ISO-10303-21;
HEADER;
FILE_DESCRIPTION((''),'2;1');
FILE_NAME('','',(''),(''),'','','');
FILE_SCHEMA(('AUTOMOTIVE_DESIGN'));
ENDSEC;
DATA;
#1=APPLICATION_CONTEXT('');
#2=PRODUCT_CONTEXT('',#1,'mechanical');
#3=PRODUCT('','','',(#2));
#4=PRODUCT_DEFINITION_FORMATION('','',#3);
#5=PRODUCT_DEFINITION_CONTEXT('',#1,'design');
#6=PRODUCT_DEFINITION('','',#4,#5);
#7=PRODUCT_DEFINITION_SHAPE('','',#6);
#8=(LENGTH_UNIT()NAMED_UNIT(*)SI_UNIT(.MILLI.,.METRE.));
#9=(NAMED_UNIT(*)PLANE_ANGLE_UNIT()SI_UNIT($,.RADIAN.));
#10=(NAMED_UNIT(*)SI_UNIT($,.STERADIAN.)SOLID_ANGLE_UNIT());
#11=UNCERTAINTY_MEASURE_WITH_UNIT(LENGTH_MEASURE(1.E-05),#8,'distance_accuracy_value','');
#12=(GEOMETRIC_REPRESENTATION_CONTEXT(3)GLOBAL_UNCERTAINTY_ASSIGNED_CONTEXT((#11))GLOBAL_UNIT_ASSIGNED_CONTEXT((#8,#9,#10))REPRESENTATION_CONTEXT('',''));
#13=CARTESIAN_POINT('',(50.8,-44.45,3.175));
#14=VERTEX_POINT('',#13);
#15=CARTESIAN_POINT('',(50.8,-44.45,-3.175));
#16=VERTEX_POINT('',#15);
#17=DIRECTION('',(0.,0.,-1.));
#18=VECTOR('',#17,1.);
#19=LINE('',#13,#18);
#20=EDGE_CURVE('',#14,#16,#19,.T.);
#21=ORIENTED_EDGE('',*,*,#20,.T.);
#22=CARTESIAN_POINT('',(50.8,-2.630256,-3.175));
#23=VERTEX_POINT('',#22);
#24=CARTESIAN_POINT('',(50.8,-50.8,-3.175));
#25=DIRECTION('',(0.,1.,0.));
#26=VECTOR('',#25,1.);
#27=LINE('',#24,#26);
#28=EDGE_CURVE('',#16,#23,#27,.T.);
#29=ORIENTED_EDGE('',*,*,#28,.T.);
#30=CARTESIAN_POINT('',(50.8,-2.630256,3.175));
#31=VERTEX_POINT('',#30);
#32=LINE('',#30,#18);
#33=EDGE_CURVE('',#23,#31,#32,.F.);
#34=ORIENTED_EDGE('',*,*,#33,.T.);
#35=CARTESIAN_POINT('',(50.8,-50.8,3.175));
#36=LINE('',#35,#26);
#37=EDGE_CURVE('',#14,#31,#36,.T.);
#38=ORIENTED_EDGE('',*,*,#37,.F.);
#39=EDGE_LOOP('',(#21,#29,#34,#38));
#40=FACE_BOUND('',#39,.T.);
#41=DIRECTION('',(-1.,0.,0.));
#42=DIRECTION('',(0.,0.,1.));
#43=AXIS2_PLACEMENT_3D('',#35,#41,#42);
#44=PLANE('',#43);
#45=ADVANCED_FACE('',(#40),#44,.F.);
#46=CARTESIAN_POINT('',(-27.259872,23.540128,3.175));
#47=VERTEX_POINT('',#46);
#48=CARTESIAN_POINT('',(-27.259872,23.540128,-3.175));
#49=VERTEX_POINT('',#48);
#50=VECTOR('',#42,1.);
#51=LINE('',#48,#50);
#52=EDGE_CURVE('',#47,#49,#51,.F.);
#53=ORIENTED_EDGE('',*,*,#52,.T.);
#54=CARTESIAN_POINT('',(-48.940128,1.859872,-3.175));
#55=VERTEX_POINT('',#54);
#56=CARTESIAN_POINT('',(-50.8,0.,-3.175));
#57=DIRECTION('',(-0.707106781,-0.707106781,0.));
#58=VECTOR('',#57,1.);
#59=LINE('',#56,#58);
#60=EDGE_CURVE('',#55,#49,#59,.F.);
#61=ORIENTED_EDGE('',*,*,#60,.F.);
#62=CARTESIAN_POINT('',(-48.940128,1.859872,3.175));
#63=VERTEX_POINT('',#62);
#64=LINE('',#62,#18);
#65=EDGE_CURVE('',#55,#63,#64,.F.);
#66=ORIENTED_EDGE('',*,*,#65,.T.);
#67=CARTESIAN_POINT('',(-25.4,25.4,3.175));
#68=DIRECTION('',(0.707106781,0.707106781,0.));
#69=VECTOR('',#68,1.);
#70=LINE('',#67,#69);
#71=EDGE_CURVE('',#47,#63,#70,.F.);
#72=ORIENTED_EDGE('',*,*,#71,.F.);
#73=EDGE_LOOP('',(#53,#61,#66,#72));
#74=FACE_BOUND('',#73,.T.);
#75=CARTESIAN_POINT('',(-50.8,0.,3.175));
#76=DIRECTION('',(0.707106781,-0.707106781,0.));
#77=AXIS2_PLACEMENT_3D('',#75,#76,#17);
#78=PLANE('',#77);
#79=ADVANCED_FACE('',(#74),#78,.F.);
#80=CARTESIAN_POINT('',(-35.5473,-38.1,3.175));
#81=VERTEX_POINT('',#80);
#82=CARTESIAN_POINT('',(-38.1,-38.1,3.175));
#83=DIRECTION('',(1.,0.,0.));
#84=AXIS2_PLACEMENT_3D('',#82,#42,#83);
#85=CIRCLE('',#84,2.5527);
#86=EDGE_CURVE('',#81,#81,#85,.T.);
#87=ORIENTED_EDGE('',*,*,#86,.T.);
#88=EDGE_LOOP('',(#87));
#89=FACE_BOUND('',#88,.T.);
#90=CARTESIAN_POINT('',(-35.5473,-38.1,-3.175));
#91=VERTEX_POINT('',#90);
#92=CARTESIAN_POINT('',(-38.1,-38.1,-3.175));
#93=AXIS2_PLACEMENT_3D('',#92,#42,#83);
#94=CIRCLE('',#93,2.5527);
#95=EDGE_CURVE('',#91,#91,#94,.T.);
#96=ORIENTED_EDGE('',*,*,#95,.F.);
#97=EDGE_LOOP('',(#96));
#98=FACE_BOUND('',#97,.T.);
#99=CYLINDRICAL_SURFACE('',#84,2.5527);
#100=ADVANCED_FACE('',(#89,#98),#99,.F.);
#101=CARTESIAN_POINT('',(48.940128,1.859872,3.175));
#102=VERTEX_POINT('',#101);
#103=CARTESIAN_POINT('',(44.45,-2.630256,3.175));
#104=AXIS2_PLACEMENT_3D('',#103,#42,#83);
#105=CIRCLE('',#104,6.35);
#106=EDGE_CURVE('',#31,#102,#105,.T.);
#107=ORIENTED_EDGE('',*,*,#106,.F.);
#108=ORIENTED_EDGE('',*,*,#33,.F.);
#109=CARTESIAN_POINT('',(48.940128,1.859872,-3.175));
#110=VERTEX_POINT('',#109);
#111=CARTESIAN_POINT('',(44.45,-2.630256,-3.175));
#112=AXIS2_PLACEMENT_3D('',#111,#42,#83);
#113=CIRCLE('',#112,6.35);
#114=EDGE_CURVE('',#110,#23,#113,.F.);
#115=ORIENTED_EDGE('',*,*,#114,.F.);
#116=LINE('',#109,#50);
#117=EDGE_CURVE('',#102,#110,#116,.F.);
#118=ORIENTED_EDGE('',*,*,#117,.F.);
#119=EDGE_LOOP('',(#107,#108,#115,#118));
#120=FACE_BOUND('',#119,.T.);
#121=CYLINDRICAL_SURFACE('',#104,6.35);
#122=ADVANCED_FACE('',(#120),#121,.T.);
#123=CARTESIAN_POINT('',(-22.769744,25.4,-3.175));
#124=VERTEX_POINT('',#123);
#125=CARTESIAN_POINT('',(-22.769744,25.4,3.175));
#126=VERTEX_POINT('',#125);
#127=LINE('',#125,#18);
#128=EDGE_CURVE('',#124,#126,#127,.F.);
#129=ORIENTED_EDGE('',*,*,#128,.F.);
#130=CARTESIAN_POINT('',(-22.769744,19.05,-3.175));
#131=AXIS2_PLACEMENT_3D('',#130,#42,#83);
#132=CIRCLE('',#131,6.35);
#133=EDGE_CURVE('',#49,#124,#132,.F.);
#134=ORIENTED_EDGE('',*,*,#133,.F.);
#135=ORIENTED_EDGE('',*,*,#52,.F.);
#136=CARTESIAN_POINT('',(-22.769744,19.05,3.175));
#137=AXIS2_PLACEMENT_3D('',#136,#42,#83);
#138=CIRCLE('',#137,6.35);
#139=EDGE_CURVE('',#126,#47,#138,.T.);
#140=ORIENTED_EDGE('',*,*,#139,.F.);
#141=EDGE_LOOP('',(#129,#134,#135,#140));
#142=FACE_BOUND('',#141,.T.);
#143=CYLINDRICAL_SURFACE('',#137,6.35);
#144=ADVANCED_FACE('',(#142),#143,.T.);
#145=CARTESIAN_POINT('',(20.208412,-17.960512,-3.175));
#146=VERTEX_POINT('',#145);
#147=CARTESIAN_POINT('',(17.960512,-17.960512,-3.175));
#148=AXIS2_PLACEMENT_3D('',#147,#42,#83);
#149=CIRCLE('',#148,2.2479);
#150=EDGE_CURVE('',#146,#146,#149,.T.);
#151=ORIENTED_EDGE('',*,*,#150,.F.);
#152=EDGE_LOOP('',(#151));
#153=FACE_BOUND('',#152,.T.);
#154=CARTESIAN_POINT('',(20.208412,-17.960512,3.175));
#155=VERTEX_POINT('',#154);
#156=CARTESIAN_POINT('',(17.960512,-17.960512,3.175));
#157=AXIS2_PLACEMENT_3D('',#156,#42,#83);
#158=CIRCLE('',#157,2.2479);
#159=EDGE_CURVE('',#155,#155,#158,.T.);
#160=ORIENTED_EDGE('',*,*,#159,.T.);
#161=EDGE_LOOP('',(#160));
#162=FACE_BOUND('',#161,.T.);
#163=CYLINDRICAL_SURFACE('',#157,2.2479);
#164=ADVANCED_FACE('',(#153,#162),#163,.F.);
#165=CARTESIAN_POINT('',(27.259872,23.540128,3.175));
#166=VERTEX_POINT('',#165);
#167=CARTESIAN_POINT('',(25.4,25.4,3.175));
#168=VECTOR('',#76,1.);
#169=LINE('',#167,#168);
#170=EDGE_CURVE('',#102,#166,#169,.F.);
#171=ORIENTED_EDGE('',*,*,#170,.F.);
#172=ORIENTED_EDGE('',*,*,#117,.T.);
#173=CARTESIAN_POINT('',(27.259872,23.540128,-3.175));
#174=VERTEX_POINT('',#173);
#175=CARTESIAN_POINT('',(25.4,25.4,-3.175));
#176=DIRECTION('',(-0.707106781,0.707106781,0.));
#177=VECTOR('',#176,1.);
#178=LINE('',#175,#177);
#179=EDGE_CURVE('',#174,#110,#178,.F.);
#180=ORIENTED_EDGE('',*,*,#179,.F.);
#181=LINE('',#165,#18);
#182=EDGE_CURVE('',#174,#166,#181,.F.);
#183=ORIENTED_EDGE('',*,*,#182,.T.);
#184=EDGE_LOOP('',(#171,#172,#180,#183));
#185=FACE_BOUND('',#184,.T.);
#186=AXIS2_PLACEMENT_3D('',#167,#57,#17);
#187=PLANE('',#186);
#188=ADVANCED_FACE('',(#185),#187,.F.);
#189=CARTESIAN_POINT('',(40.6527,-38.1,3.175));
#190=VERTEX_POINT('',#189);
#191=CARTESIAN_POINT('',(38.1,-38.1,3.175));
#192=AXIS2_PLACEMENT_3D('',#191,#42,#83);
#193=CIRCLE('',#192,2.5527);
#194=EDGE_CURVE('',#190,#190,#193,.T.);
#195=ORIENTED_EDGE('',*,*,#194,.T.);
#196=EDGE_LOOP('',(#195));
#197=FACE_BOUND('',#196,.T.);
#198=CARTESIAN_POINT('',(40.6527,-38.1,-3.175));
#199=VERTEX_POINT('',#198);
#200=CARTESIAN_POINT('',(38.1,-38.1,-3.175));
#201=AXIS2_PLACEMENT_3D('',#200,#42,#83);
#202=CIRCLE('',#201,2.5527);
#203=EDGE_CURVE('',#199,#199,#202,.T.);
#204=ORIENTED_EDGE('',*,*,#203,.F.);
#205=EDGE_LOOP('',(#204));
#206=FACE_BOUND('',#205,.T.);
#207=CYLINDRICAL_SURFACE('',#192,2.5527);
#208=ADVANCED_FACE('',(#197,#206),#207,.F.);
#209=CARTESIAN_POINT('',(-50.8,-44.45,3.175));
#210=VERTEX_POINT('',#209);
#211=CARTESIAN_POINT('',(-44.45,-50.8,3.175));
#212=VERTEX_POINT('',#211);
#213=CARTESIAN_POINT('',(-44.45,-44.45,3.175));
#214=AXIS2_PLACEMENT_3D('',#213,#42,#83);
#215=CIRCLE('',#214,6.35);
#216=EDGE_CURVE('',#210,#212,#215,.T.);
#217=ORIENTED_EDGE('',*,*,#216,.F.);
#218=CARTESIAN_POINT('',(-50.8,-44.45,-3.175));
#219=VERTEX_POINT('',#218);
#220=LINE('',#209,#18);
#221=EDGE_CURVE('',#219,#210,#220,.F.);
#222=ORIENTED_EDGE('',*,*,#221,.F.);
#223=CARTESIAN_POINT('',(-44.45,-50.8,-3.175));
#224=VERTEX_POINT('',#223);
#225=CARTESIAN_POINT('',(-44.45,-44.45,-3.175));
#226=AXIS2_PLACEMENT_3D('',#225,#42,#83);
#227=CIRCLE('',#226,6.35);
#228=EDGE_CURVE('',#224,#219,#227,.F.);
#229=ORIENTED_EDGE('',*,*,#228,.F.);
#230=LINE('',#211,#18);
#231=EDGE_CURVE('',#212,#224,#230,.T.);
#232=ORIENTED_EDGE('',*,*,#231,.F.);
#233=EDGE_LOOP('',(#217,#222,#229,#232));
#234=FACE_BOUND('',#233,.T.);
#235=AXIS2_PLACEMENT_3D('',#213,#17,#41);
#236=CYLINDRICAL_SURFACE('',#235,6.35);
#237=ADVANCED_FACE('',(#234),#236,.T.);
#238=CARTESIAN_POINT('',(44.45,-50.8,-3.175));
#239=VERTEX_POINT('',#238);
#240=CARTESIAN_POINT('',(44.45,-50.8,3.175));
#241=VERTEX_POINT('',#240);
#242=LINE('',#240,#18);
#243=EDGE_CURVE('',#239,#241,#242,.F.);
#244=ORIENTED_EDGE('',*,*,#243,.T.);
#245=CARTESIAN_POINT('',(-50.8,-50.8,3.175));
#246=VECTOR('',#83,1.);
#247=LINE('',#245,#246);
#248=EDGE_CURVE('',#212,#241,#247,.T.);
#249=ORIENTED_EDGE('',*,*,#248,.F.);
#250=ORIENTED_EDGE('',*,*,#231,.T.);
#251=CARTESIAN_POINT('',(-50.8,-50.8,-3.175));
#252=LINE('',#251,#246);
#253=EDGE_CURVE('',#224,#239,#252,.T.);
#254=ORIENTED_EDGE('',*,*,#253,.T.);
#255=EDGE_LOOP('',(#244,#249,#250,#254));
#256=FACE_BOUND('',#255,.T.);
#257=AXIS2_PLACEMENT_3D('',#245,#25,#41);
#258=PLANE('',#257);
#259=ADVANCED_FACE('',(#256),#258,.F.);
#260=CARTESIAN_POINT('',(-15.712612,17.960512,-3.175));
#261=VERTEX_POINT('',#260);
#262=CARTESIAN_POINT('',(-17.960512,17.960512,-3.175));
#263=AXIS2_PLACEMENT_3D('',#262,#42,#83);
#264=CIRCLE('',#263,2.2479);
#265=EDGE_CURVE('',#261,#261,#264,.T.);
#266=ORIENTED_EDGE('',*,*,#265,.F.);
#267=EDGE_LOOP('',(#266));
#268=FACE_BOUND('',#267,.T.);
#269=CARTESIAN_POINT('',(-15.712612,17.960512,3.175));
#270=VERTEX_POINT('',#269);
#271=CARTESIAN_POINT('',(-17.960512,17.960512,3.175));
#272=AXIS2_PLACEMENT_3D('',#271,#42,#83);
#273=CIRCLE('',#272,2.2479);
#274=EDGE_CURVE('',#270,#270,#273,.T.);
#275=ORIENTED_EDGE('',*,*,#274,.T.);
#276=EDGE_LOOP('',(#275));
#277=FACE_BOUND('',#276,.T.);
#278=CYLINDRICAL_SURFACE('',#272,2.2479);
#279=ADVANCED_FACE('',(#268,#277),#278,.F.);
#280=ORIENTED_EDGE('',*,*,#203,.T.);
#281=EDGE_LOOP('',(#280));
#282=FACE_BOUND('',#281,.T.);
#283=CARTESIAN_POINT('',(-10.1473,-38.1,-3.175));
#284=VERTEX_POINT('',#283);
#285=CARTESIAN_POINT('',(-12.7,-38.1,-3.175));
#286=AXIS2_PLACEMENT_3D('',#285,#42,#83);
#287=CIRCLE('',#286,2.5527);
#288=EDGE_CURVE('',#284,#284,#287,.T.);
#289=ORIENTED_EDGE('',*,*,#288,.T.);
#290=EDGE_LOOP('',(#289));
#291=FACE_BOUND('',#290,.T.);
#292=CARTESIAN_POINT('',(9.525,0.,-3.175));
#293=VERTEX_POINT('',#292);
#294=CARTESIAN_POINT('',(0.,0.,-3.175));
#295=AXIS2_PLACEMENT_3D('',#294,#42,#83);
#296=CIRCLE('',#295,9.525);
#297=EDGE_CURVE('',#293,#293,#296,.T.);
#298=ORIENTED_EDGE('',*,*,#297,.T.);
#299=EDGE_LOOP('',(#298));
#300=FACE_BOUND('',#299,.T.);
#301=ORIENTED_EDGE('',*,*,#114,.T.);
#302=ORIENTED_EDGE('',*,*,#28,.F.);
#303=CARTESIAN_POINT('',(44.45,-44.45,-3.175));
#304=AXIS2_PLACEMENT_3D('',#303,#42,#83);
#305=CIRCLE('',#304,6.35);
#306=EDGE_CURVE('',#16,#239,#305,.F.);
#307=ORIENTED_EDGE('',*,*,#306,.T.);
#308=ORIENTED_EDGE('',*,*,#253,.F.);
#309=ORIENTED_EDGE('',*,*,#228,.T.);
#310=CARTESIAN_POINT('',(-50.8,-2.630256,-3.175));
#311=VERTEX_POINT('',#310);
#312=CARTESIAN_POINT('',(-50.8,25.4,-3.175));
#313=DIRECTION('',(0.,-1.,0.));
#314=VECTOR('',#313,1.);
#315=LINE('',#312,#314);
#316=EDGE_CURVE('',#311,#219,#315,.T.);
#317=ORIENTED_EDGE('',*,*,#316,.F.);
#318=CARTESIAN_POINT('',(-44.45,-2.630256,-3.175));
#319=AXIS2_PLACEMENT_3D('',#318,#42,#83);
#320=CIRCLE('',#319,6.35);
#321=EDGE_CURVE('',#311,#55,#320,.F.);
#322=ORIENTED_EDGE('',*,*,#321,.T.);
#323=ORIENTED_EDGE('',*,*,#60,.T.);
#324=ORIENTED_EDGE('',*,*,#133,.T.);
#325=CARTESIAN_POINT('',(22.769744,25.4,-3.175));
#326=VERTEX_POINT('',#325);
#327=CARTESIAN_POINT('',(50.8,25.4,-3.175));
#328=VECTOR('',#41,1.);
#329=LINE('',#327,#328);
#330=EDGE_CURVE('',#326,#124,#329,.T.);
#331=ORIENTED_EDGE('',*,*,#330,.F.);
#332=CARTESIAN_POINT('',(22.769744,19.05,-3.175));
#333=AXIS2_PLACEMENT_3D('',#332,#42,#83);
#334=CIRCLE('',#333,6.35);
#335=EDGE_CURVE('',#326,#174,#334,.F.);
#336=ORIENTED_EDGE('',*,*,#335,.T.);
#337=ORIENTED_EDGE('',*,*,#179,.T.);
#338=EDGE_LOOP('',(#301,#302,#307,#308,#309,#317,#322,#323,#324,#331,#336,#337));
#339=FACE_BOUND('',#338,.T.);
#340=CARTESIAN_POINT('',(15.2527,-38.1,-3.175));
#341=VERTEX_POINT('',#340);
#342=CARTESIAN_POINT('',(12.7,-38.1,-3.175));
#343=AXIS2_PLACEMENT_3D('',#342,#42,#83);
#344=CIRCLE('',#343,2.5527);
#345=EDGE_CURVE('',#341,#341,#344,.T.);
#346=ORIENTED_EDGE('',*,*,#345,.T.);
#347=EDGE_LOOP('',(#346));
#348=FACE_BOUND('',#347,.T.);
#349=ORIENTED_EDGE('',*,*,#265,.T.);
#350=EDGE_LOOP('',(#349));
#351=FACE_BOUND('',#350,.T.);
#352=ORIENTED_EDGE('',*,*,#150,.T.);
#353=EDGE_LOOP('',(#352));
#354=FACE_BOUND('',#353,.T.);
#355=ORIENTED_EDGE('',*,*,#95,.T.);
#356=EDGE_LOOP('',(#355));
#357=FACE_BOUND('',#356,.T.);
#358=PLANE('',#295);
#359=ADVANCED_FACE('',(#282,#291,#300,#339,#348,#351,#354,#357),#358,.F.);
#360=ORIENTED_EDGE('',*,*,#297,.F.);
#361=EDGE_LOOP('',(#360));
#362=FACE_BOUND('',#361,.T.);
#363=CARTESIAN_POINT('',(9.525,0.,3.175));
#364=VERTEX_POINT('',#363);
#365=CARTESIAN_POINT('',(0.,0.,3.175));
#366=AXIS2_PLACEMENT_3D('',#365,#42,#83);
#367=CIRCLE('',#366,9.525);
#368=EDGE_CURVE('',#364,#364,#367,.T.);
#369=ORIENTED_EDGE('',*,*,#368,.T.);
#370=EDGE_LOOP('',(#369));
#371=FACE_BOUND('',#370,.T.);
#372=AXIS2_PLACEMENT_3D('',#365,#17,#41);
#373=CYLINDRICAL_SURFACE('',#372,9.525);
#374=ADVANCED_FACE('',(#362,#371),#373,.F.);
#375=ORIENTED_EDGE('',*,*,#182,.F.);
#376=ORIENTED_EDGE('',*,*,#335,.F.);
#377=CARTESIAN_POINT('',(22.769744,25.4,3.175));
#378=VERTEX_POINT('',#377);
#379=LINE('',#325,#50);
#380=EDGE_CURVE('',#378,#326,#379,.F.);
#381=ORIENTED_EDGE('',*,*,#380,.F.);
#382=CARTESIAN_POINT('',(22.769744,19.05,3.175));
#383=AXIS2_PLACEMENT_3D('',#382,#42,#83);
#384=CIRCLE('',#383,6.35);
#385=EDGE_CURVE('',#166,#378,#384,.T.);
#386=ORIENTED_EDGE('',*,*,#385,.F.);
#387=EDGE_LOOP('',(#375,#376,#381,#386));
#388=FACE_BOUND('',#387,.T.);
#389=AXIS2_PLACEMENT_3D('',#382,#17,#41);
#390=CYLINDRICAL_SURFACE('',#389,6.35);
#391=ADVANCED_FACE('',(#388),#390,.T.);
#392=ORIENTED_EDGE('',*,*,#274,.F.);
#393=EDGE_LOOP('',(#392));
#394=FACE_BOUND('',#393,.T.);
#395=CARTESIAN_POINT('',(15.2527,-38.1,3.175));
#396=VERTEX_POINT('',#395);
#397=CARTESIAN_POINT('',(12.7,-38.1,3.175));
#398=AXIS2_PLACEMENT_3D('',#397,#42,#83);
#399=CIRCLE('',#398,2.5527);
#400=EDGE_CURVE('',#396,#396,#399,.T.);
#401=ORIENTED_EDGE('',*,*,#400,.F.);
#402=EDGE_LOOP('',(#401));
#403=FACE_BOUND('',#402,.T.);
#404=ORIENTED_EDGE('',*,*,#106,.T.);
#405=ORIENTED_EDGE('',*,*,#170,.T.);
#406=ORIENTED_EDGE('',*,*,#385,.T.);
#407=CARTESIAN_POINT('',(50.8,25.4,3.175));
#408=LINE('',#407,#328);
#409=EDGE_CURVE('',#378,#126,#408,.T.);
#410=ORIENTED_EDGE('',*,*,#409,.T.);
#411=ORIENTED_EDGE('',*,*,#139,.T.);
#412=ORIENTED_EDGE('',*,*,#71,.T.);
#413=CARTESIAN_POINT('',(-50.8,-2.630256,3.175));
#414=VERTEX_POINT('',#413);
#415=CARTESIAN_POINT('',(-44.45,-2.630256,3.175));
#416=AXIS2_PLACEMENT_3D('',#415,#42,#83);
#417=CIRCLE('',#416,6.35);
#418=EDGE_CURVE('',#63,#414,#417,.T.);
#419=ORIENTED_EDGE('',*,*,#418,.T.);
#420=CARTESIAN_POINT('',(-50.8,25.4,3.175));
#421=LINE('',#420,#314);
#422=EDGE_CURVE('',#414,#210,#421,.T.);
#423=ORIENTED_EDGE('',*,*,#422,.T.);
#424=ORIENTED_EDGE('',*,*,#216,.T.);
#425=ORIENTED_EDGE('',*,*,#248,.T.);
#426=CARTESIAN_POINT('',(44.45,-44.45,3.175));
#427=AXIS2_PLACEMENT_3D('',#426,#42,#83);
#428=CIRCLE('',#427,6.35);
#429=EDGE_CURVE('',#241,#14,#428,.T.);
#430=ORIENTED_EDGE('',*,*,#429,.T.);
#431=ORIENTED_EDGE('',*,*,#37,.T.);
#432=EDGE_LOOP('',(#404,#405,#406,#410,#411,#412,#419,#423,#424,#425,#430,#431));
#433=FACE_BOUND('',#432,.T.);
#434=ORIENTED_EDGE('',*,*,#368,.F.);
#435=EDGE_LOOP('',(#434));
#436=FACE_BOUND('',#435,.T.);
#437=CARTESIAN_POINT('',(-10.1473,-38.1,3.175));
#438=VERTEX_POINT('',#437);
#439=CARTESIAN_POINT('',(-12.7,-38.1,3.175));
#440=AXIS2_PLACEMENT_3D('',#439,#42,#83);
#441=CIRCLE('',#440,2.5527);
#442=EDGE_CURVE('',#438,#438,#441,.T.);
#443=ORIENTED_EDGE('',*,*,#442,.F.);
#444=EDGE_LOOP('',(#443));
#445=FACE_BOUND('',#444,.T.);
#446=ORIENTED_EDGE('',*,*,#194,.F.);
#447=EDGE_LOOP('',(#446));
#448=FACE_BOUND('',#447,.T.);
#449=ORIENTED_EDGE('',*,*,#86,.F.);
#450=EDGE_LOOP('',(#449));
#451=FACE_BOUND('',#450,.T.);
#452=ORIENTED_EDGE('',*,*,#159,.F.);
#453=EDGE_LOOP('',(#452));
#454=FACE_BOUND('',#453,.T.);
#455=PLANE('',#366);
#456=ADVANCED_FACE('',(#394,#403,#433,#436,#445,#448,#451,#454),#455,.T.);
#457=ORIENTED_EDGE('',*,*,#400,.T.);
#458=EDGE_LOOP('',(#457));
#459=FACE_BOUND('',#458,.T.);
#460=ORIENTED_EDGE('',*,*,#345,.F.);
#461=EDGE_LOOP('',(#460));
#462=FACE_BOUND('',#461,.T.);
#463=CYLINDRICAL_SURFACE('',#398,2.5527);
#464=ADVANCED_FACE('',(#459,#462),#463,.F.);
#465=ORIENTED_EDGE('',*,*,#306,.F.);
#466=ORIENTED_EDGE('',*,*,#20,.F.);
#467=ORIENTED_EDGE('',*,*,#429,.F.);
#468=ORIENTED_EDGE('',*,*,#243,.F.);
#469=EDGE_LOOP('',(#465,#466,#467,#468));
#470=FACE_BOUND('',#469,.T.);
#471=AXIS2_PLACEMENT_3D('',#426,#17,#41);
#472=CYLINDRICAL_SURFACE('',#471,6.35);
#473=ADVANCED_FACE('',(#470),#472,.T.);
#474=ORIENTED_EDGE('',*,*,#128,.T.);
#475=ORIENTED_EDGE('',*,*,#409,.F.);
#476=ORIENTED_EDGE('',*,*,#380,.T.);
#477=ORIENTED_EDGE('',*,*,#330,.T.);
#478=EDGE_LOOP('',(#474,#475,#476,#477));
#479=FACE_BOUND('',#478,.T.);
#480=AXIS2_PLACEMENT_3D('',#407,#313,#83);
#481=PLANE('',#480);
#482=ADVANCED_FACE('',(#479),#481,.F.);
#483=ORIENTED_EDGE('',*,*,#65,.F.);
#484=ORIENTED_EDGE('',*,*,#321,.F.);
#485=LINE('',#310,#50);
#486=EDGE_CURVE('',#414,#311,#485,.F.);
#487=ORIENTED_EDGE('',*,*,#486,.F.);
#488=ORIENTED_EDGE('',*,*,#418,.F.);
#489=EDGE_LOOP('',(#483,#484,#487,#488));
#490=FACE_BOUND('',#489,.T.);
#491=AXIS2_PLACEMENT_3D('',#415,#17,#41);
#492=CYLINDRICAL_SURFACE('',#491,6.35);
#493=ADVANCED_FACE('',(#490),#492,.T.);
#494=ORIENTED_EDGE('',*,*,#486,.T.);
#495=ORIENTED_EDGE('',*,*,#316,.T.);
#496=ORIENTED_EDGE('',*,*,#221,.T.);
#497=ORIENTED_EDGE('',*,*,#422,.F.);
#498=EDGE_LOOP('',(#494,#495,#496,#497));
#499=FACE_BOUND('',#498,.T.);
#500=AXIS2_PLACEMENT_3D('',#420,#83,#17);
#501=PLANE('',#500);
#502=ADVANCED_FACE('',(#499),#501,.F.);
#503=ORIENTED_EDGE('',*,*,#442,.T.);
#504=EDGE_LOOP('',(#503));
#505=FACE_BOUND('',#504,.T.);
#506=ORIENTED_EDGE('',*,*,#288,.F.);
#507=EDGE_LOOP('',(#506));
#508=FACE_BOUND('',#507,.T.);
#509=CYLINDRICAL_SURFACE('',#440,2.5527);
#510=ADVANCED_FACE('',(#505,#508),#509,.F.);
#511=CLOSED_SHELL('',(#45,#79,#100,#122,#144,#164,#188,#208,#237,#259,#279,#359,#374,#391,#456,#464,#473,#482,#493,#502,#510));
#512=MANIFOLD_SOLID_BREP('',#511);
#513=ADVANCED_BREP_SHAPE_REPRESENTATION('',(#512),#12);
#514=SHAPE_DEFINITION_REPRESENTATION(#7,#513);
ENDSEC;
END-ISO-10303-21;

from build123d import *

# Parameters (mm, degrees)
SKETCH1_W              = 101.6
SKETCH1_H              = 76.2
SKETCH1_R              = 9.525
BOSS_EXTRUDE1_DEPTH    = 3.175
F_8_CLEARANCE_HOLE1_D  = 4.4958
CHAMFER1_SIZE          = 25.4
F_10_CLEARANCE_HOLE2_D = 5.1054
FILLET1_R              = 6.35


with BuildPart() as part:
    # Sketch1 → Boss-Extrude1 (new, symmetric)
    with BuildSketch(Plane.XY):
        with Locations((0, -12.7)):
            Rectangle(SKETCH1_W, SKETCH1_H)
        Circle(SKETCH1_R, mode=Mode.SUBTRACT)
    extrude(amount=BOSS_EXTRUDE1_DEPTH, both=True)

    # #8 Clearance Hole1 (through all)
    with Locations(Plane.XY.offset(3.175)):
        with Locations((-17.960512242, 17.960512242), (17.960512242, -17.960512242)):
            Hole(F_8_CLEARANCE_HOLE1_D / 2)

    # Chamfer1
    chamfer1_edges = [part.edges().sort_by_distance(p)[0] for p in [
        (-50.8, 25.4, 0),
        (50.8, 25.4, 0),
    ]]
    chamfer(chamfer1_edges, length=CHAMFER1_SIZE)

    # #10 Clearance Hole2 (through all)
    with Locations(Plane.XY.offset(3.175)):
        with Locations((-38.1, -38.1), (-12.7, -38.1), (12.7, -38.1), (38.1, -38.1)):
            Hole(F_10_CLEARANCE_HOLE2_D / 2)

    # Fillet1
    fillet1_edges = [part.edges().sort_by_distance(p)[0] for p in [
        (-25.4, 25.4, 0),
        (25.4, 25.4, 0),
        (50.8, 0, 0),
        (-50.8, 0, 0),
        (50.8, -50.8, 0),
        (-50.8, -50.8, 0),
    ]]
    fillet(fillet1_edges, radius=FILLET1_R)


solid = part.part
